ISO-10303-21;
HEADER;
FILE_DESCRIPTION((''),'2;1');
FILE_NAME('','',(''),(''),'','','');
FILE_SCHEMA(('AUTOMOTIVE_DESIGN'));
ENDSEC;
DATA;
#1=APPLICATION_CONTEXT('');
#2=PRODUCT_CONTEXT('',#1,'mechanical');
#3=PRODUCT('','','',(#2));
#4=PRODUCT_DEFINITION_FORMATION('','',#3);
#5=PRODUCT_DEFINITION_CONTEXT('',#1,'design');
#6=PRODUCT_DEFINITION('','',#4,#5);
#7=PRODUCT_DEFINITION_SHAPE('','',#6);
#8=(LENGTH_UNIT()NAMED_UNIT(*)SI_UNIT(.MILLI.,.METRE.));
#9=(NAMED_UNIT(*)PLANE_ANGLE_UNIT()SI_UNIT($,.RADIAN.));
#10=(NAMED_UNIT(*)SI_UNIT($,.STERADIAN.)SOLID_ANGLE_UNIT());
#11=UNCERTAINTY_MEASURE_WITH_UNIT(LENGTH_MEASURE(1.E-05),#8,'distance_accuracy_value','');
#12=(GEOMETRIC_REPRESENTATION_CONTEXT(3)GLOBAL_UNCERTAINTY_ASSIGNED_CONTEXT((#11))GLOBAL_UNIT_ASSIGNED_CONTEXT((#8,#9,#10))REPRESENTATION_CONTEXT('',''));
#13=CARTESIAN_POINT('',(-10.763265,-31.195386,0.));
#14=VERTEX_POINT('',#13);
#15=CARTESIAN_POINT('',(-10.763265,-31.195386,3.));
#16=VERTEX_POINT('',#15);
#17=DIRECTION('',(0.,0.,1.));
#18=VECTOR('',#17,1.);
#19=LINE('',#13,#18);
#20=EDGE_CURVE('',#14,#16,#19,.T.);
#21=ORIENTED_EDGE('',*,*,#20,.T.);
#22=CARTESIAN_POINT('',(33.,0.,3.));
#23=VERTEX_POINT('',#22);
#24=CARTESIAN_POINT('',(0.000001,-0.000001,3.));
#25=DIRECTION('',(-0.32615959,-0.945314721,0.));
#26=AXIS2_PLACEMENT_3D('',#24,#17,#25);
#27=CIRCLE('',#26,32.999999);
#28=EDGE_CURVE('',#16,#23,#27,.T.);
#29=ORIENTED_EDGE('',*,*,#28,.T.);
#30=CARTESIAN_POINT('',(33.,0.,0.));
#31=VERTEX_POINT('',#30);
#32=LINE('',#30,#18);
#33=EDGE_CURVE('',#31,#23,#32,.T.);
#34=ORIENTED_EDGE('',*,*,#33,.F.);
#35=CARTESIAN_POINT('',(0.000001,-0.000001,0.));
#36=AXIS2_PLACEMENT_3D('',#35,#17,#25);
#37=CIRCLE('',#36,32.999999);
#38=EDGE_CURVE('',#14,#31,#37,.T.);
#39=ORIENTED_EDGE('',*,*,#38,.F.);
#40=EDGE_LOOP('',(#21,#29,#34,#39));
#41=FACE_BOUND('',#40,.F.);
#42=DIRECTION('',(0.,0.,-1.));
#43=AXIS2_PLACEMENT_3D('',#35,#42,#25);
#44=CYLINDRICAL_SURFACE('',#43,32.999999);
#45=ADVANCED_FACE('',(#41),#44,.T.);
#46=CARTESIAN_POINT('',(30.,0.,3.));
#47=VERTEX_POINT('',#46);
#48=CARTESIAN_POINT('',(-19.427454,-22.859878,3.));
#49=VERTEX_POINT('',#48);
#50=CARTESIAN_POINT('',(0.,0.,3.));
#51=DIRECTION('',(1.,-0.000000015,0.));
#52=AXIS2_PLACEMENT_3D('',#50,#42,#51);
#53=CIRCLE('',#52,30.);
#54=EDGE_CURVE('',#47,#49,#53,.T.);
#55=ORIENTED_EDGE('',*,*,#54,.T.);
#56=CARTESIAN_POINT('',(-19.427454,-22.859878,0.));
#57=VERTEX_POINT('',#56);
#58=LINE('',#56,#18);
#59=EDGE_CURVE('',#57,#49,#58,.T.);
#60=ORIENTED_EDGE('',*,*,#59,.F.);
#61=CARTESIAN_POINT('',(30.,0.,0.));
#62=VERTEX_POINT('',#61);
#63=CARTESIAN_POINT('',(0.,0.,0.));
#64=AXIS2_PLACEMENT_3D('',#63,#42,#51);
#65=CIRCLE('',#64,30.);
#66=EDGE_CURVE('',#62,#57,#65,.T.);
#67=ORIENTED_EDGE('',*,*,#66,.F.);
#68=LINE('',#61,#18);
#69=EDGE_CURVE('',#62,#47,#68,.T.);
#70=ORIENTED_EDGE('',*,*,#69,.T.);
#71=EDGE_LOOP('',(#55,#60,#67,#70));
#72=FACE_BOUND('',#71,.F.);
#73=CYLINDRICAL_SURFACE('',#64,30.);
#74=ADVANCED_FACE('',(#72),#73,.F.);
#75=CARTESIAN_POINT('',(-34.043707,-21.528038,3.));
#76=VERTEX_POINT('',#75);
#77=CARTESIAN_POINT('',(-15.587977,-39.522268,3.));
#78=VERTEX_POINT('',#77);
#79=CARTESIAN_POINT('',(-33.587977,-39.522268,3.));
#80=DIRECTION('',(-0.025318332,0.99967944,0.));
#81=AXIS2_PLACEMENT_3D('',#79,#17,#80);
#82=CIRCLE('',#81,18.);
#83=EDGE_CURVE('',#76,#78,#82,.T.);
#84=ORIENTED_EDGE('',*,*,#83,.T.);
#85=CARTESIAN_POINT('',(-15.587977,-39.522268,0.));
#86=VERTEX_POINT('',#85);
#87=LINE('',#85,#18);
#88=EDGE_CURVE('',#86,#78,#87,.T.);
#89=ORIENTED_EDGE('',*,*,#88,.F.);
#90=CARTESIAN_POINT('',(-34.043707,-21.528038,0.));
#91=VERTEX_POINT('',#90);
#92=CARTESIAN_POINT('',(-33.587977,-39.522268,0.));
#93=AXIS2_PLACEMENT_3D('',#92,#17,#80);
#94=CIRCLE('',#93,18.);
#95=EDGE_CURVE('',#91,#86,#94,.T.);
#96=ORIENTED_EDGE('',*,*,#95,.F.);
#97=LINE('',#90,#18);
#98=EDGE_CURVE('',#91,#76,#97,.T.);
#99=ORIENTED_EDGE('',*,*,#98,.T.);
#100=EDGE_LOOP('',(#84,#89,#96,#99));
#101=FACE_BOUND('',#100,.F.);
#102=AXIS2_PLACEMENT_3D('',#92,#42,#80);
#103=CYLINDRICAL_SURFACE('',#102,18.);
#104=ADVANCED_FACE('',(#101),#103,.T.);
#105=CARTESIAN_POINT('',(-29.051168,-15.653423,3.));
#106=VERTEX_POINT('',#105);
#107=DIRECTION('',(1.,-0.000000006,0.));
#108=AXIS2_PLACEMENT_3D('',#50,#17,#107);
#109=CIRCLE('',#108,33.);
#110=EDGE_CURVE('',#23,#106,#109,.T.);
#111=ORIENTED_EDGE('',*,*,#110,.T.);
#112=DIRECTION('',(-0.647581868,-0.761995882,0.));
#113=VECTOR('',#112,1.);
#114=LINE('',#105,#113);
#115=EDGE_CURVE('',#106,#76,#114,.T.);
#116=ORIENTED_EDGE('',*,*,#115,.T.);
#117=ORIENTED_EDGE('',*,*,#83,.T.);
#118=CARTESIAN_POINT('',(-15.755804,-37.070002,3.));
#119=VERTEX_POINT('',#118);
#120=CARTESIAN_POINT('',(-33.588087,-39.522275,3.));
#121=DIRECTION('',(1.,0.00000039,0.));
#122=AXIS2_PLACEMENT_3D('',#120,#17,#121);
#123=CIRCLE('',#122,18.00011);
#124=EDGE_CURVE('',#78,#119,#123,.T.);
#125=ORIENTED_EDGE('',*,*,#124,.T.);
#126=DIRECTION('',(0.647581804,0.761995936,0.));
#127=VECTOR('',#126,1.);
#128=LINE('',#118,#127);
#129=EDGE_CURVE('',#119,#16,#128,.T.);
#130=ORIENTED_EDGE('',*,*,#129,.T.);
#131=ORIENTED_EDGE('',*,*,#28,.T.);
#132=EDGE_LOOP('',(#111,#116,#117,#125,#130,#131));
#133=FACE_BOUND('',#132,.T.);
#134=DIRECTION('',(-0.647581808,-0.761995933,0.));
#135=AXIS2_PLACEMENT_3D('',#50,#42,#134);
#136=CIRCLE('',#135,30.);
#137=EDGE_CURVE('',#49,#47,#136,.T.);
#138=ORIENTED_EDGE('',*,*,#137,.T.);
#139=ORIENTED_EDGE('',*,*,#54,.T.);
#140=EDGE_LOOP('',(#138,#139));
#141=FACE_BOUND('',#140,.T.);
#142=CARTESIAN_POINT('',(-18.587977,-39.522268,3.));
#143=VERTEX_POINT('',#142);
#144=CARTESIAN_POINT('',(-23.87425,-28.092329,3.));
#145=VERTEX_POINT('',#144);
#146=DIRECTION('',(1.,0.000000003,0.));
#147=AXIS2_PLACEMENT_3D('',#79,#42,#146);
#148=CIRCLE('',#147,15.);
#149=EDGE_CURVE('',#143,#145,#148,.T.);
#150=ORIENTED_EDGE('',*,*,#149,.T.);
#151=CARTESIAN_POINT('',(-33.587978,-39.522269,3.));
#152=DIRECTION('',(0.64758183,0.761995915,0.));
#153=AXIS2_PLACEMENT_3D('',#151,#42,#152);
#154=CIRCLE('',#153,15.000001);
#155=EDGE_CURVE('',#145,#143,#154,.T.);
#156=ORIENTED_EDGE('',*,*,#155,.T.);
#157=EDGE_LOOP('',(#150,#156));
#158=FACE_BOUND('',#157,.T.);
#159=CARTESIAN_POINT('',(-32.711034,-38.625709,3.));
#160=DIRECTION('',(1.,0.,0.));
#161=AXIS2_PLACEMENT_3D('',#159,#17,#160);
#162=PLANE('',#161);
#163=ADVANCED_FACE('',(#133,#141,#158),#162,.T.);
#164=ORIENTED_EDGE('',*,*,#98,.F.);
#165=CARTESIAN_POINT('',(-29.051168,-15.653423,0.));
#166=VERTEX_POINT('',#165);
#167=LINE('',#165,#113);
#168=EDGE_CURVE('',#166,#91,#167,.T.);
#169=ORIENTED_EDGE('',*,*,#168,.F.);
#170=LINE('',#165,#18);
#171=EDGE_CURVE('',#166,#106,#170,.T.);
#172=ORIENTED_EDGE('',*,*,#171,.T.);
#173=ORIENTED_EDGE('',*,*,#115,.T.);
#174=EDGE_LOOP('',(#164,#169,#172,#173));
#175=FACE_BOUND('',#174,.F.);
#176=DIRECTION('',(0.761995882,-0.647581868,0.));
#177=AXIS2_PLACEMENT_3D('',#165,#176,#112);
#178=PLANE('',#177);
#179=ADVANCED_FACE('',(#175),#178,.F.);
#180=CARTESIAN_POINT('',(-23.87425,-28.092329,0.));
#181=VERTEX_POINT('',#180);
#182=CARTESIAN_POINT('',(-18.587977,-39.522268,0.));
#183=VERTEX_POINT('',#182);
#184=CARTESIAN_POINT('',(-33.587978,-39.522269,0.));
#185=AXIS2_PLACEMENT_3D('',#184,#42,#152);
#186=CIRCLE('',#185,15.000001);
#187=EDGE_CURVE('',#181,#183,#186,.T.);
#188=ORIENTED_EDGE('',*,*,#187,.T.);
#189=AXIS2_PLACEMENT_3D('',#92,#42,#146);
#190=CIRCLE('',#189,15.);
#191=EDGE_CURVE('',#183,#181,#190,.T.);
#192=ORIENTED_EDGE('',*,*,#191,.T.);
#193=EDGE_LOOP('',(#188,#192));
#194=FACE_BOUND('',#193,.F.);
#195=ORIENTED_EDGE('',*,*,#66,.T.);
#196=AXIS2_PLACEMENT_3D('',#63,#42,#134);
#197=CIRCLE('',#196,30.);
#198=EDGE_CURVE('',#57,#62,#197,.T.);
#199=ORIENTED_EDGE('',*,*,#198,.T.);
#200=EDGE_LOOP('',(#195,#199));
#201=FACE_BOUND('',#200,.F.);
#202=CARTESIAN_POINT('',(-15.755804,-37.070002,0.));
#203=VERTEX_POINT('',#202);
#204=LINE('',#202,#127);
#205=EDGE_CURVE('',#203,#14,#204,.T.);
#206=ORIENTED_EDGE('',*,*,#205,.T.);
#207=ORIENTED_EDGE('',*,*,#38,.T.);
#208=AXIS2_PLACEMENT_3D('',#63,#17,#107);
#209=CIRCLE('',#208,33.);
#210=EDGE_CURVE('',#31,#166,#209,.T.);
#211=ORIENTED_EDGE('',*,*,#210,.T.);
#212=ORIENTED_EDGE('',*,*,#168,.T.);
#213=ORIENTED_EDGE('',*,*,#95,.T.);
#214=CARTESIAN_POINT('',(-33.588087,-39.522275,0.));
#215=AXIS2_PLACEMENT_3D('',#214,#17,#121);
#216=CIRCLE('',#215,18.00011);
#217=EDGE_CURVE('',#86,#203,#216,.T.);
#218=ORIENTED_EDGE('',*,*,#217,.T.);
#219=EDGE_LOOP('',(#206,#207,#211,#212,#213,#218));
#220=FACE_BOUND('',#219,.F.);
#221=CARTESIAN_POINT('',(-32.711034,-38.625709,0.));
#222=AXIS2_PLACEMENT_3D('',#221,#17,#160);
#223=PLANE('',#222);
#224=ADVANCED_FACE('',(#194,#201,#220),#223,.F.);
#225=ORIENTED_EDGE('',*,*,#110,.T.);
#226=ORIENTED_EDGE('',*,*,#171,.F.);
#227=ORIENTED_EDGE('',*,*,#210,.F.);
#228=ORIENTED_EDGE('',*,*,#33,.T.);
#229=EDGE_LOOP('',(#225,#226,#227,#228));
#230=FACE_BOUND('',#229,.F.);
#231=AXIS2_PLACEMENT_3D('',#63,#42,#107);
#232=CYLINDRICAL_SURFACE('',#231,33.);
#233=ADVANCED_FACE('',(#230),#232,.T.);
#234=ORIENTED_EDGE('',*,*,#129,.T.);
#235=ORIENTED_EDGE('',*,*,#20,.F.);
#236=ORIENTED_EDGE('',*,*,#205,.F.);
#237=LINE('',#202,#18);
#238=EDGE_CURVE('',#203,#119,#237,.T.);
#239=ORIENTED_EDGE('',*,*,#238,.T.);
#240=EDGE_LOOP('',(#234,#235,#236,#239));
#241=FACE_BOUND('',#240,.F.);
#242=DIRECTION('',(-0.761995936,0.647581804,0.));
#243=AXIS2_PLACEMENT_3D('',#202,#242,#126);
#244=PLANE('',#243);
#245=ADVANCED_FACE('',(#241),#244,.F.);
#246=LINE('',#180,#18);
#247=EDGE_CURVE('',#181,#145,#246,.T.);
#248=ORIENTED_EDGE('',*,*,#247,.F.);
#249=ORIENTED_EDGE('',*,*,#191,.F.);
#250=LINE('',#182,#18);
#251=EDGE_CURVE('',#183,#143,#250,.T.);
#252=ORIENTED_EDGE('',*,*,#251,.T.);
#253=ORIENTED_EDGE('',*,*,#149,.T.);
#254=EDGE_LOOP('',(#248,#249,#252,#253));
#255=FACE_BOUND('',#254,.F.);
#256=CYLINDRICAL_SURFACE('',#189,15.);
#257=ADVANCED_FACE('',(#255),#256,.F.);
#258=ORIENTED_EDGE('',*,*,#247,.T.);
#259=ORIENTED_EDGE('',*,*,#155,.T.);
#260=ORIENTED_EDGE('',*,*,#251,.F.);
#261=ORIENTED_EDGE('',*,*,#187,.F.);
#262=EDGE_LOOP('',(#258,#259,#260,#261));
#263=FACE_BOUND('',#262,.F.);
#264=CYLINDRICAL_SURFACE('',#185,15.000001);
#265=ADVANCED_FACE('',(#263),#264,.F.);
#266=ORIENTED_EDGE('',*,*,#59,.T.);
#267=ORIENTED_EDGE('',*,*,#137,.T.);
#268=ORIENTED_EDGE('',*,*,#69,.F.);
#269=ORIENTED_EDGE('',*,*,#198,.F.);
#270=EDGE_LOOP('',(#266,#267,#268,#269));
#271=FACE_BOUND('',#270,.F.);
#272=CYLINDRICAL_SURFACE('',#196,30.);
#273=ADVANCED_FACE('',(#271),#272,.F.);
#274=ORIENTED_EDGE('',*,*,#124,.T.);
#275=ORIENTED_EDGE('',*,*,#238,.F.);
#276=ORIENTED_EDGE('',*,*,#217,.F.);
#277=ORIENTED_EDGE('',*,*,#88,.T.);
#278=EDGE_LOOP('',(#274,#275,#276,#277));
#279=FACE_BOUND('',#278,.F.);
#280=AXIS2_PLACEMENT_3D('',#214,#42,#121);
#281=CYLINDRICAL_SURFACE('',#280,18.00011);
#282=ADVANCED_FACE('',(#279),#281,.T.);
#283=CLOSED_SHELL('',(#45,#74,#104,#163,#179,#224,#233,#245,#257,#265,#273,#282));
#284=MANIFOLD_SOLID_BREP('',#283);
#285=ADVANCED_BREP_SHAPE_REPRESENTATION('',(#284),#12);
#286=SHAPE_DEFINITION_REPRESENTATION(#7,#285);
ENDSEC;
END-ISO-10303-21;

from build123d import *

# Parameters (mm, degrees)
F1_DEPTH = 3


with BuildPart() as f1:
    # F0 (on Top) → F1 (new body)
    with BuildSketch(Plane.XY):
        with BuildLine():
            ThreePointArc((-15.755804, -37.070002), (-17.804677, -30.868516), (-21.931504, -25.806342))
            ThreePointArc((-21.931504, -25.806342), (-27.592968, -22.549942), (-34.043707, -21.528038))
            ThreePointArc((-34.043707, -21.528038), (-46.153741, -52.410308), (-15.587977, -39.522268))
            ThreePointArc((-15.587977, -39.522268), (-15.629983, -38.293267), (-15.755804, -37.070002))
        make_face()
        with BuildLine():
            ThreePointArc((-18.587977, -39.522268), (-47.202416, -45.818858), (-23.87425, -28.092329))
            ThreePointArc((-23.87425, -28.092329), (-19.973538, -33.225678), (-18.587977, -39.522268))
        make_face(mode=Mode.SUBTRACT)
        with BuildLine():
            ThreePointArc((-29.051168, -15.653423), (-25.653561, -20.758006), (-21.3702, -25.145866))
            ThreePointArc((-21.3702, -25.145866), (-16.348978, -28.665501), (-10.763265, -31.195386))
            ThreePointArc((-10.763265, -31.195386), (19.154794, -26.871805), (33, 0))
            ThreePointArc((33, 0), (-8.07191, 31.997567), (-29.051168, -15.653423))
        make_face()
        with BuildLine():
            ThreePointArc((-19.427454, -22.859878), (-12.59318, 27.228878), (30, 0))
            ThreePointArc((30, 0), (12.59318, -27.228878), (-19.427454, -22.859878))
        make_face(mode=Mode.SUBTRACT)
        with BuildLine():
            ThreePointArc((-10.763265, -31.195386), (-16.348978, -28.665501), (-21.3702, -25.145866))
            Line((-21.3702, -25.145866), (-21.931504, -25.806342))
            ThreePointArc((-21.931504, -25.806342), (-17.804677, -30.868516), (-15.755804, -37.070002))
            Line((-15.755804, -37.070002), (-10.763265, -31.195386))
        make_face()
        with BuildLine():
            Line((-21.931504, -25.806342), (-21.3702, -25.145866))
            ThreePointArc((-21.3702, -25.145866), (-25.653561, -20.758006), (-29.051168, -15.653423))
            Line((-29.051168, -15.653423), (-34.043707, -21.528038))
            ThreePointArc((-34.043707, -21.528038), (-27.592968, -22.549942), (-21.931504, -25.806342))
        make_face()
    extrude(amount=F1_DEPTH)


solid = f1.part
